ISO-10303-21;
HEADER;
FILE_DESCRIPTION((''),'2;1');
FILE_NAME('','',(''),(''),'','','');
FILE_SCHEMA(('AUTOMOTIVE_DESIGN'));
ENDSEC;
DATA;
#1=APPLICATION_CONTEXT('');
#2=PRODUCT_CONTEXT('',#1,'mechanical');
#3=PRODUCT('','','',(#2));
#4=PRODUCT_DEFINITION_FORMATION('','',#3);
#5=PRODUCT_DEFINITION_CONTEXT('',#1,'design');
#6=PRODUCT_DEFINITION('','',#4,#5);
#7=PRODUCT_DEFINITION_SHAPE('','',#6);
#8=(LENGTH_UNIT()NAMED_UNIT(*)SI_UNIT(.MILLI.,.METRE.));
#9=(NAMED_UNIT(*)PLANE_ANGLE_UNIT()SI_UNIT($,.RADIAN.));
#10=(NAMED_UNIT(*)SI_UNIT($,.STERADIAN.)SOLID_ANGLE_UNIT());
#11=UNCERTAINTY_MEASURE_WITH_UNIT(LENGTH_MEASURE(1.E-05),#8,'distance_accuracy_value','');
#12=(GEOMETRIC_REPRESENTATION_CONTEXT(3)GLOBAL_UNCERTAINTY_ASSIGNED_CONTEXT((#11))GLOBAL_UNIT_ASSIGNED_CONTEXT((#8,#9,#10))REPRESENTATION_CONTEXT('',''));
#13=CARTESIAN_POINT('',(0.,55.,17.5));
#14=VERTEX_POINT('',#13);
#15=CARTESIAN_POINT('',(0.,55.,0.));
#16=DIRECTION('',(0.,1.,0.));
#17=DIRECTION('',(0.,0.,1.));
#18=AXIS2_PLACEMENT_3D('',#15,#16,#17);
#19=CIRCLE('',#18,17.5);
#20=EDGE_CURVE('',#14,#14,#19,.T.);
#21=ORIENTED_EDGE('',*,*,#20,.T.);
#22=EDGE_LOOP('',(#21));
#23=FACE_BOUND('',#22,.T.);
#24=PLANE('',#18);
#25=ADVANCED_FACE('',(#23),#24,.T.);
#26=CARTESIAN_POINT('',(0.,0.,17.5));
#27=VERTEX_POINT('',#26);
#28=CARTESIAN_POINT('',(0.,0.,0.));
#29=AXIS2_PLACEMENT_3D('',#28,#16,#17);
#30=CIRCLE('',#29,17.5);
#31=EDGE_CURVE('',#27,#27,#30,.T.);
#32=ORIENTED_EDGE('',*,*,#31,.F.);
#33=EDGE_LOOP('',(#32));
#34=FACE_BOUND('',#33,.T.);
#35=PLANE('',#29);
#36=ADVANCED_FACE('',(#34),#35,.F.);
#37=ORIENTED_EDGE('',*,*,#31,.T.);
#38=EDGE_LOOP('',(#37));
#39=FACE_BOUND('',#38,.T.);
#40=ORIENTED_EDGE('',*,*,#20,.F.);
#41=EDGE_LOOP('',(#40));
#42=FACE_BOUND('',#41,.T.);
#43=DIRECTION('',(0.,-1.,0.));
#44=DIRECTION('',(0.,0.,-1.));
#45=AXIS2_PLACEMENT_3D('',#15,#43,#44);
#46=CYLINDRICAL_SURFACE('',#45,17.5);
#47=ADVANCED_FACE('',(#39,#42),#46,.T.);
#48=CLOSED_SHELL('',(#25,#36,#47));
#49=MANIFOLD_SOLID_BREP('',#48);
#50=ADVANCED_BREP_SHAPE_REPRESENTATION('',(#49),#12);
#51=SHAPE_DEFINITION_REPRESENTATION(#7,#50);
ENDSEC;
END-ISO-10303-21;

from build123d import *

# Parameters (mm, degrees)
SKETCH1_R           = 17.5
BOSS_EXTRUDE1_DEPTH = 55


with BuildPart() as part:
    # Sketch1 → Boss-Extrude1 (new body)
    with BuildSketch(Plane(origin=(0, 0, 0), x_dir=(1, 0, 0), z_dir=(0, 1, 0))):
        Circle(SKETCH1_R)
    extrude(amount=BOSS_EXTRUDE1_DEPTH)


solid = part.part
